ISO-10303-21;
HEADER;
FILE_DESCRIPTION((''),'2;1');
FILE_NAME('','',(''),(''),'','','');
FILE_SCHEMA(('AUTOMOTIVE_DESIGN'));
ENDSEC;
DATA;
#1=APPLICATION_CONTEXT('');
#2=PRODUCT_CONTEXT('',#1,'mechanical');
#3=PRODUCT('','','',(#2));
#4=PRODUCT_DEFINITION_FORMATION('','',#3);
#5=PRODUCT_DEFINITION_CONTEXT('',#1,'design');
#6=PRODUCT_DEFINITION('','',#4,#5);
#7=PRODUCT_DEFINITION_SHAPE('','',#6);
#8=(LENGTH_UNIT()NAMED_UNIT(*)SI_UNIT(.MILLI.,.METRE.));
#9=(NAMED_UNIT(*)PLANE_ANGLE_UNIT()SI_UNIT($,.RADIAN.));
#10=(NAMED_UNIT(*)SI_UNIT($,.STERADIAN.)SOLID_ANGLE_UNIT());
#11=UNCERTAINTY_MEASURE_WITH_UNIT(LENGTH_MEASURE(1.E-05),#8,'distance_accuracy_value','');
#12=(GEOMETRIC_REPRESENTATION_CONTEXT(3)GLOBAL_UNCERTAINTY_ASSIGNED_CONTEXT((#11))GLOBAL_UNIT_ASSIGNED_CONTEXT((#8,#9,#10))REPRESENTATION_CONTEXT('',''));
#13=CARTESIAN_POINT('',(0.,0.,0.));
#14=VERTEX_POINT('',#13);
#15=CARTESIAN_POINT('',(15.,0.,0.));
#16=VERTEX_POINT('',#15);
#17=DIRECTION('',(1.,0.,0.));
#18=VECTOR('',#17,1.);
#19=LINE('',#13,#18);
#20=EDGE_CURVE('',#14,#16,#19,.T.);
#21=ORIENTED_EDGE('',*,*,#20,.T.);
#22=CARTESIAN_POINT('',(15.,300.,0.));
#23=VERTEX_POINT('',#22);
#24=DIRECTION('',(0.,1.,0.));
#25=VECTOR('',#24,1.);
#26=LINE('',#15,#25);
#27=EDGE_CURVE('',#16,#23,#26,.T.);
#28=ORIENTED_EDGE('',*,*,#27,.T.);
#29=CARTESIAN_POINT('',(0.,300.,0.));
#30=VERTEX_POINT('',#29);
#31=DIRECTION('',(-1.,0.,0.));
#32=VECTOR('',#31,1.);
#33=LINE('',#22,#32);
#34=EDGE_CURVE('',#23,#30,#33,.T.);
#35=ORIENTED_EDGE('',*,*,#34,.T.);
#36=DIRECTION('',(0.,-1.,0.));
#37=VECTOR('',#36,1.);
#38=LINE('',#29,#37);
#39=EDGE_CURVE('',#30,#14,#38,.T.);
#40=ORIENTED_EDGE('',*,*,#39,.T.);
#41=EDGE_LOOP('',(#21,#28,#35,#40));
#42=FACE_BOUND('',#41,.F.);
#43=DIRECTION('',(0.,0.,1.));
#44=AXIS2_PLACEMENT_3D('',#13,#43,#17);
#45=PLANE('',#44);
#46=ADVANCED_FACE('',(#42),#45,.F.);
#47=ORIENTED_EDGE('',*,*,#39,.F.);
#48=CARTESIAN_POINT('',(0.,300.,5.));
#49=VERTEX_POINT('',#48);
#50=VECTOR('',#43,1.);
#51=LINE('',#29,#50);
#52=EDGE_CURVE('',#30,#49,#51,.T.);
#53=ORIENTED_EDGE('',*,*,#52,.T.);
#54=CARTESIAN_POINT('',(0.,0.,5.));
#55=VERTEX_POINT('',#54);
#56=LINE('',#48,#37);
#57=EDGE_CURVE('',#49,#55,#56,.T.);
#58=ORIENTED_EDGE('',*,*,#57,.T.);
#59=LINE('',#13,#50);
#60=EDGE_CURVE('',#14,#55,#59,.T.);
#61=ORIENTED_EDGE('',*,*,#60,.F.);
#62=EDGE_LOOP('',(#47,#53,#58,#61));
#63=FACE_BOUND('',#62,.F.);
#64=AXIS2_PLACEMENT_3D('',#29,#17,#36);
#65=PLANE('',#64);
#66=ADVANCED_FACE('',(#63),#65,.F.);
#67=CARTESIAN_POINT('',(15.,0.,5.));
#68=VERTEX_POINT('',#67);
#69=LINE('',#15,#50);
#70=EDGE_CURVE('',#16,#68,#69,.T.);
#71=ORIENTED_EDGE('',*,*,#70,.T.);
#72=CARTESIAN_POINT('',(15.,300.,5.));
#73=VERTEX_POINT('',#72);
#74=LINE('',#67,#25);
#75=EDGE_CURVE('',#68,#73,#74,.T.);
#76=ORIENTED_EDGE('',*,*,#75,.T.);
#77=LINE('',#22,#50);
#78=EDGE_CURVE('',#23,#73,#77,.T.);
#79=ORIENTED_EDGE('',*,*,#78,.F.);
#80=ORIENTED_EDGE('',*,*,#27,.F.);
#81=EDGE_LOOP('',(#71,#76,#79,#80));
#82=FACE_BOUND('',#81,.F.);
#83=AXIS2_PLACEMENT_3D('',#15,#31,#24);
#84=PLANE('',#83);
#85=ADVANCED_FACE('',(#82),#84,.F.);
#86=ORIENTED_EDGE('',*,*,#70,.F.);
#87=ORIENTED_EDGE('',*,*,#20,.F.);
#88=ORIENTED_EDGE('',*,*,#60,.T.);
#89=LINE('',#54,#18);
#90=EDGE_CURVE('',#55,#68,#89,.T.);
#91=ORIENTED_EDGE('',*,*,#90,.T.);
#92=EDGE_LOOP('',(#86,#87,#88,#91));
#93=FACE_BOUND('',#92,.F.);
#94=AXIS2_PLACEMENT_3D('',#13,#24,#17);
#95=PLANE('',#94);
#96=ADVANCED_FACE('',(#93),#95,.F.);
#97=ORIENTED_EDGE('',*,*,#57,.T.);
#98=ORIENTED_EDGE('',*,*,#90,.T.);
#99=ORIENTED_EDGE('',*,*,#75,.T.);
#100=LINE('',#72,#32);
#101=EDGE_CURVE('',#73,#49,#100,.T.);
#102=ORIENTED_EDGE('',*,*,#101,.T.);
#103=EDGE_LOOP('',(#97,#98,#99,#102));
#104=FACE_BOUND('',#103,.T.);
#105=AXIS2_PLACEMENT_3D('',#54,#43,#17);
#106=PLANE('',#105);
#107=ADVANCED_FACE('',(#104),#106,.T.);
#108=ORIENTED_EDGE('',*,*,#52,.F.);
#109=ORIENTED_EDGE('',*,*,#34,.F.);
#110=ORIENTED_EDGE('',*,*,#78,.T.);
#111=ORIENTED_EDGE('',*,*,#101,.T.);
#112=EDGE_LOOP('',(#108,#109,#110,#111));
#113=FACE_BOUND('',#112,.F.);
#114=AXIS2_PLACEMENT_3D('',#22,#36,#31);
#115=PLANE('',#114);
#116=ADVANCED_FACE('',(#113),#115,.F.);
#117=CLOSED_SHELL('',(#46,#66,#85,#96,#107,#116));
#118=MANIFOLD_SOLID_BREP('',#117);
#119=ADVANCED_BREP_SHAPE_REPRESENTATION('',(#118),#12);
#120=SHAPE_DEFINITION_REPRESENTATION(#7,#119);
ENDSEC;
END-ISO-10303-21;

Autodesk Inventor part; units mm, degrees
ref_plane "YZ Plane" through (0, 0, 0) normal (1, 0, 0) x (0, 1, 0)
ref_plane "XZ Plane" through (0, 0, 0) normal (0, 1, 0) x (-1, 0, 0)
ref_plane "XY Plane" through (0, 0, 0) normal (0, 0, 1) x (1, 0, 0)
sketch "Sketch1" plane through (0, 0, 0) normal (0, 0, 1) x (1, 0, 0)
  line L0 (0, 0) -> (15, 0)
  line L1 (15, 0) -> (15, 300)
  line L2 (15, 300) -> (0, 300)
  line L3 (0, 300) -> (0, 0)
  dimension "d0" = 15
  dimension "d1" = 300
extrude "Extrusion1" add sketch "Sketch1" along normal blind 5
properties part number "straight_line_edge_parkinglot"
